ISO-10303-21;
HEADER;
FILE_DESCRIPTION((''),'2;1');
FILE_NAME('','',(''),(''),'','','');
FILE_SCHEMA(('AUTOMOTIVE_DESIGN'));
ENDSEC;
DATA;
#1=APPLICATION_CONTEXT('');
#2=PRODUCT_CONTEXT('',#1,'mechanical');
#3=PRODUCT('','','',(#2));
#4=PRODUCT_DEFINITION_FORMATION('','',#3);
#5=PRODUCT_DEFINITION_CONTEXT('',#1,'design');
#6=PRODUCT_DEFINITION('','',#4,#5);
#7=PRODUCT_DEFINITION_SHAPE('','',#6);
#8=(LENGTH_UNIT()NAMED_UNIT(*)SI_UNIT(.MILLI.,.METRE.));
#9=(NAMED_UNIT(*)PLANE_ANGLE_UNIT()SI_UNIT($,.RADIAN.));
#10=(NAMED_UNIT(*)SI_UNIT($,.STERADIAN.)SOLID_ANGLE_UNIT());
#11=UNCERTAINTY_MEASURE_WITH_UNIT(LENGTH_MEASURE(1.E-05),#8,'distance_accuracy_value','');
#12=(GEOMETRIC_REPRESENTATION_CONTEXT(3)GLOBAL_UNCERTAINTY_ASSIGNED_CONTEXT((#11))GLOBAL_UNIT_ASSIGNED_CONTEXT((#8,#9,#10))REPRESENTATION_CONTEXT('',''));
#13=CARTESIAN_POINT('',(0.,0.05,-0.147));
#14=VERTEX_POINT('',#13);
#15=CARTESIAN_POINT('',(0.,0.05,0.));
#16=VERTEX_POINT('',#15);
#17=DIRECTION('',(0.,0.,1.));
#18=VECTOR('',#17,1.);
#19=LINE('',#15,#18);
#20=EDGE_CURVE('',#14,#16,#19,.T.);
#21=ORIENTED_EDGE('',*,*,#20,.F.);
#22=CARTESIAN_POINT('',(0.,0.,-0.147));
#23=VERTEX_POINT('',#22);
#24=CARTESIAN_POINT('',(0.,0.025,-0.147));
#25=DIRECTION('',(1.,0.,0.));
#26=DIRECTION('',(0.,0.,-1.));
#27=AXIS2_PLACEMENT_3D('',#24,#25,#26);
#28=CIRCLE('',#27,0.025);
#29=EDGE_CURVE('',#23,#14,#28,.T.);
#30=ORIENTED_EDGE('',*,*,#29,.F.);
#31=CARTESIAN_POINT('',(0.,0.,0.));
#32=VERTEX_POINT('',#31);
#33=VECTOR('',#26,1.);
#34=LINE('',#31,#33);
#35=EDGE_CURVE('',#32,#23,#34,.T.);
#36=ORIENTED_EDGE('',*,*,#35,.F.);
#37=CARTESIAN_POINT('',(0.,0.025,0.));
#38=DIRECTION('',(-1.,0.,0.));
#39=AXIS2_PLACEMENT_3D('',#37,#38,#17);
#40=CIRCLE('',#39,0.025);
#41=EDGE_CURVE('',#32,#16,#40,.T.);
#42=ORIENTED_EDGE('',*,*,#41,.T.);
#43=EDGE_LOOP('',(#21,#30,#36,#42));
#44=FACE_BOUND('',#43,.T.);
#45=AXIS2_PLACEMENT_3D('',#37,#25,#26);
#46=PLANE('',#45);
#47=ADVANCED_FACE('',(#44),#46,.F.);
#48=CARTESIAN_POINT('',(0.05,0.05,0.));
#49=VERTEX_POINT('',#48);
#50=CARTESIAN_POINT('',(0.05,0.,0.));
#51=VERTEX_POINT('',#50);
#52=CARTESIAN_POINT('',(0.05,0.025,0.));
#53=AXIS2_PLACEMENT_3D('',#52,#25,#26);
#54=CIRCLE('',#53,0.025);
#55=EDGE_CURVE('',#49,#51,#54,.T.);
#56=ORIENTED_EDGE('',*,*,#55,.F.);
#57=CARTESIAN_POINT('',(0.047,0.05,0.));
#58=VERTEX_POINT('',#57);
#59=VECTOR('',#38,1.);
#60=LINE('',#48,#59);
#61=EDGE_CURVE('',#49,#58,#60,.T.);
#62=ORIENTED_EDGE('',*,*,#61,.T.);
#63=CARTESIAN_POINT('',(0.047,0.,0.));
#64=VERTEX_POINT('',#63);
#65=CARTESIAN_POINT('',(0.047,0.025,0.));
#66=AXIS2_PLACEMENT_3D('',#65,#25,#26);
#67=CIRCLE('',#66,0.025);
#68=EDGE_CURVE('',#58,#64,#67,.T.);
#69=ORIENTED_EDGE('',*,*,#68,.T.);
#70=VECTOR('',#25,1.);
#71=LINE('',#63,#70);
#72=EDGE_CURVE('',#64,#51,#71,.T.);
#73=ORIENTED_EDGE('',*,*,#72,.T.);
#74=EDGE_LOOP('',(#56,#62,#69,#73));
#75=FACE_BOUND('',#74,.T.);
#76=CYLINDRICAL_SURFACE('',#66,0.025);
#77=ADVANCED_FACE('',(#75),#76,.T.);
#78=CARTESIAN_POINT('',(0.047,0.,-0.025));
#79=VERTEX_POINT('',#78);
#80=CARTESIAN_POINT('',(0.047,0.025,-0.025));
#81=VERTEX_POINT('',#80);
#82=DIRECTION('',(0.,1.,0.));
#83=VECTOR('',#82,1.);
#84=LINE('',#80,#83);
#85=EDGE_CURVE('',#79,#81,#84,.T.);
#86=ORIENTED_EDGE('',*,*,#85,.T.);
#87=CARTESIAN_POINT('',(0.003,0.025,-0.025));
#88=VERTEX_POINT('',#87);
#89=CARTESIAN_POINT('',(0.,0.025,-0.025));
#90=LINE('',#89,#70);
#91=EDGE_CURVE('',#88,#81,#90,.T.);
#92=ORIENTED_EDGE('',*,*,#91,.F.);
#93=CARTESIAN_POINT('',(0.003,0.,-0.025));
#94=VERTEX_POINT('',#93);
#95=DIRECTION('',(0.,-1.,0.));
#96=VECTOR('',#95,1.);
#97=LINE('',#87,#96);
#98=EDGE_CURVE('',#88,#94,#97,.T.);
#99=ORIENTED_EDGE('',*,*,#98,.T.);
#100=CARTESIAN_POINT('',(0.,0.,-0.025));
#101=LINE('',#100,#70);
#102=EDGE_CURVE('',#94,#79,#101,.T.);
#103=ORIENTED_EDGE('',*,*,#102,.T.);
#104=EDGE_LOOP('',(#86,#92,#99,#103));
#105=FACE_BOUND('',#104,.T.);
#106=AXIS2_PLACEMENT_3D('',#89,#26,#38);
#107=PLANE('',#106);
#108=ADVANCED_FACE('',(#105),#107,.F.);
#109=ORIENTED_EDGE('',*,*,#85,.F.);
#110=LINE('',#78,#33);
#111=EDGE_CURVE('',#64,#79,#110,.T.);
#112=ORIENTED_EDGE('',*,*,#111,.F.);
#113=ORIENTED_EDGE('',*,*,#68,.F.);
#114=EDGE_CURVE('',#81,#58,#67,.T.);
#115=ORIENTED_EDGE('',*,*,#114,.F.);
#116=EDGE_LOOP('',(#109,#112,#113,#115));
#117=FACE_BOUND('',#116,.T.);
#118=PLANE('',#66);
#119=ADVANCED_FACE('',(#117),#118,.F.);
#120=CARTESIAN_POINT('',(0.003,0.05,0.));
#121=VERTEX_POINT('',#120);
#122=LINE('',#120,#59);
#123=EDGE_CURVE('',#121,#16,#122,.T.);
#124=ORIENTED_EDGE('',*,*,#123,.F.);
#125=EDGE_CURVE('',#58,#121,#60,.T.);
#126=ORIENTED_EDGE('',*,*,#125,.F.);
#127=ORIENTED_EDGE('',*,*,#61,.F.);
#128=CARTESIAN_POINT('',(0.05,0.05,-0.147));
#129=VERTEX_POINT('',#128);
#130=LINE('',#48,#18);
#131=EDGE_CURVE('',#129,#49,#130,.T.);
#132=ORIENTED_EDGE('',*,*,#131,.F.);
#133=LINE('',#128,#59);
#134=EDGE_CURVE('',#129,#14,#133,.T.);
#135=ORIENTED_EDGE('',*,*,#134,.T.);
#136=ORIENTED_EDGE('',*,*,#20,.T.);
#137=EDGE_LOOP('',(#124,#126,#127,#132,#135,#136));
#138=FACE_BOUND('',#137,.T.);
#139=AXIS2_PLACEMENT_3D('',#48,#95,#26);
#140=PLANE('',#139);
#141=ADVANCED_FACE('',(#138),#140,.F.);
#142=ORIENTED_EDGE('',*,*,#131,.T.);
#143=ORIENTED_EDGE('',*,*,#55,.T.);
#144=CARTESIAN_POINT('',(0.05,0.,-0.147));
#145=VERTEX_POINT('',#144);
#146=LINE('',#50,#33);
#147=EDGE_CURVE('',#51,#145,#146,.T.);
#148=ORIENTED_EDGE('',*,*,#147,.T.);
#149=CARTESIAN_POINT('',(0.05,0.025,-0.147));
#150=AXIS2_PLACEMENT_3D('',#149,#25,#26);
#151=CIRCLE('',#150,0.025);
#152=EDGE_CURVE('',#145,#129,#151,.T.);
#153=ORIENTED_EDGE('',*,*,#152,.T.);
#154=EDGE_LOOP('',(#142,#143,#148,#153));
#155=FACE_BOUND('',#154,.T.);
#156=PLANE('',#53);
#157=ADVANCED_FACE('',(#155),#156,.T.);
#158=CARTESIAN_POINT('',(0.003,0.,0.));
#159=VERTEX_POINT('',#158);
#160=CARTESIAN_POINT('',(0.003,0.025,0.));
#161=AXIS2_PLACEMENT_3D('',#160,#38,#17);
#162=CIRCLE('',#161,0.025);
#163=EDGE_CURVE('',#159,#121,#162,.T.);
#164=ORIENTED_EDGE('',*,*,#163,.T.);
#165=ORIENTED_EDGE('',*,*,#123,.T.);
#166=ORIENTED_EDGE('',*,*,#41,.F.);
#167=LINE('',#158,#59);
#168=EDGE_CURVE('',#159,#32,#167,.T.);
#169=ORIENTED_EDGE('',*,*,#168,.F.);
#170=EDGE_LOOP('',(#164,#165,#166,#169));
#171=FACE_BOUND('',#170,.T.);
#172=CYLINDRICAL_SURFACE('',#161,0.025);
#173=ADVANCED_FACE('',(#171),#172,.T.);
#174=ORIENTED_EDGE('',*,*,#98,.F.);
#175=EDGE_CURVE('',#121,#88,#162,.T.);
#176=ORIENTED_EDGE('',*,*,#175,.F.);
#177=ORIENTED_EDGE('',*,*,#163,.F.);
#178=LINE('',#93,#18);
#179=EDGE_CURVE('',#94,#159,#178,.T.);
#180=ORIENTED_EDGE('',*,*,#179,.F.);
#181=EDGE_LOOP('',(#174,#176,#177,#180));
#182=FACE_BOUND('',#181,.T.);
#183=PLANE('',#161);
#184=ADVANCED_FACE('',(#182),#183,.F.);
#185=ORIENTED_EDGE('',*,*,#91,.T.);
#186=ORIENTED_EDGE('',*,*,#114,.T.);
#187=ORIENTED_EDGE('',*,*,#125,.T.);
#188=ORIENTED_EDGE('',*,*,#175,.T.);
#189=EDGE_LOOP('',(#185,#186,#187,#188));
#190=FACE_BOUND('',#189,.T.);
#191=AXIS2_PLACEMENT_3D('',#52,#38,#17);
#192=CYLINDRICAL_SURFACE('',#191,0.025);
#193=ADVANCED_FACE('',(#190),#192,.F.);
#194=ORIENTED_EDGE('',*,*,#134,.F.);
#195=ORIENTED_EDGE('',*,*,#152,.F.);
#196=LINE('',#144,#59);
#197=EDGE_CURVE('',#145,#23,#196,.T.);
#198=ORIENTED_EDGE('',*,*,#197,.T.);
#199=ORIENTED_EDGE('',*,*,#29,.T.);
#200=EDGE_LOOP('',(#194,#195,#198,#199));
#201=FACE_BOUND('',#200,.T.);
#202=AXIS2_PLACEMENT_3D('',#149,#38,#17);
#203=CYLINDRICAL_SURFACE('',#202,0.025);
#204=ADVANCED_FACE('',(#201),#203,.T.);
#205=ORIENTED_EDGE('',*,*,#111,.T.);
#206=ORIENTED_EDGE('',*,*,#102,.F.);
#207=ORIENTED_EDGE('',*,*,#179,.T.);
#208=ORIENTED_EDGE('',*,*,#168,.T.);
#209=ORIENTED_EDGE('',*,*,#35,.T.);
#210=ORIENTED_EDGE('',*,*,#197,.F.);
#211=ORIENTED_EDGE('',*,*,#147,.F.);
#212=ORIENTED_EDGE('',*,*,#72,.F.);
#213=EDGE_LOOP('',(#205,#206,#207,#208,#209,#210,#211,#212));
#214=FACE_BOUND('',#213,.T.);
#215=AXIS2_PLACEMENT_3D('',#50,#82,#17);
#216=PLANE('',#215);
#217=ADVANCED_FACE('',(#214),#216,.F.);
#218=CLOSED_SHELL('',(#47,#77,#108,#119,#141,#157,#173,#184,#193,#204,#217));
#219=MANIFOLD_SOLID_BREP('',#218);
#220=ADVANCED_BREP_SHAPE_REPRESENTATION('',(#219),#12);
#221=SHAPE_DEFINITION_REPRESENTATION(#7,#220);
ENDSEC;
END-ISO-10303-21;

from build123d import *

# Parameters (mm, degrees)
BOSS_EXTRUDE1_DEPTH = 0.05
SKETCH2_W           = 0.025
SKETCH2_H           = 0.025
CUT_EXTRUDE1_DEPTH  = 0.05
SKETCH4_R           = 0.025
BOSS_EXTRUDE2_DEPTH = 0.003
SKETCH5_R           = 0.025
BOSS_EXTRUDE3_DEPTH = 0.003
SKETCH6_W           = 0.025
SKETCH6_H           = 0.025
BOSS_EXTRUDE4_DEPTH = 0.003
SKETCH7_W           = 0.025
SKETCH7_H           = 0.025
BOSS_EXTRUDE5_DEPTH = 0.003


with BuildPart() as part:
    # Sketch1 → Boss-Extrude1 (new body)
    with BuildSketch(Plane(origin=(0, 0, 0), x_dir=(0, 0, -1), z_dir=(1, 0, 0))):
        with BuildLine():
            Line((0, 0), (0.147, 0))
            ThreePointArc((0.147, 0), (0.172, 0.025), (0.147, 0.05))
            Line((0.147, 0.05), (0, 0.05))
            ThreePointArc((0, 0.05), (0.025, 0.025), (0, 0))
        make_face()
    extrude(amount=BOSS_EXTRUDE1_DEPTH)

    # Sketch2 → Cut-Extrude1 (cut)
    with BuildSketch(Plane(origin=(0.05, 0, 0), x_dir=(0, 0, -1), z_dir=(1, 0, 0))):
        with Locations((0.0125, 0.0125)):
            Rectangle(SKETCH2_W, SKETCH2_H)
    extrude(amount=-CUT_EXTRUDE1_DEPTH, mode=Mode.SUBTRACT)

    # Sketch4 → Boss-Extrude2 (add)
    with BuildSketch(Plane(origin=(0.05, 0, 0), x_dir=(0, 0, -1), z_dir=(1, 0, 0))):
        with Locations((0, 0.025)):
            Circle(SKETCH4_R)
    extrude(amount=-BOSS_EXTRUDE2_DEPTH)

    # Sketch5 → Boss-Extrude3 (add)
    with BuildSketch(Plane.ZY):
        with Locations((0, 0.025)):
            Circle(SKETCH5_R)
    extrude(amount=-BOSS_EXTRUDE3_DEPTH)

    # Sketch6 → Boss-Extrude4 (add)
    with BuildSketch(Plane.ZY):
        with Locations((-0.0125, 0.0125)):
            Rectangle(SKETCH6_W, SKETCH6_H)
    extrude(amount=-BOSS_EXTRUDE4_DEPTH)

    # Sketch7 → Boss-Extrude5 (add)
    with BuildSketch(Plane(origin=(0.05, 0, 0), x_dir=(0, 0, -1), z_dir=(1, 0, 0))):
        with Locations((0.0125, 0.0125)):
            Rectangle(SKETCH7_W, SKETCH7_H)
    extrude(amount=-BOSS_EXTRUDE5_DEPTH)


solid = part.part
